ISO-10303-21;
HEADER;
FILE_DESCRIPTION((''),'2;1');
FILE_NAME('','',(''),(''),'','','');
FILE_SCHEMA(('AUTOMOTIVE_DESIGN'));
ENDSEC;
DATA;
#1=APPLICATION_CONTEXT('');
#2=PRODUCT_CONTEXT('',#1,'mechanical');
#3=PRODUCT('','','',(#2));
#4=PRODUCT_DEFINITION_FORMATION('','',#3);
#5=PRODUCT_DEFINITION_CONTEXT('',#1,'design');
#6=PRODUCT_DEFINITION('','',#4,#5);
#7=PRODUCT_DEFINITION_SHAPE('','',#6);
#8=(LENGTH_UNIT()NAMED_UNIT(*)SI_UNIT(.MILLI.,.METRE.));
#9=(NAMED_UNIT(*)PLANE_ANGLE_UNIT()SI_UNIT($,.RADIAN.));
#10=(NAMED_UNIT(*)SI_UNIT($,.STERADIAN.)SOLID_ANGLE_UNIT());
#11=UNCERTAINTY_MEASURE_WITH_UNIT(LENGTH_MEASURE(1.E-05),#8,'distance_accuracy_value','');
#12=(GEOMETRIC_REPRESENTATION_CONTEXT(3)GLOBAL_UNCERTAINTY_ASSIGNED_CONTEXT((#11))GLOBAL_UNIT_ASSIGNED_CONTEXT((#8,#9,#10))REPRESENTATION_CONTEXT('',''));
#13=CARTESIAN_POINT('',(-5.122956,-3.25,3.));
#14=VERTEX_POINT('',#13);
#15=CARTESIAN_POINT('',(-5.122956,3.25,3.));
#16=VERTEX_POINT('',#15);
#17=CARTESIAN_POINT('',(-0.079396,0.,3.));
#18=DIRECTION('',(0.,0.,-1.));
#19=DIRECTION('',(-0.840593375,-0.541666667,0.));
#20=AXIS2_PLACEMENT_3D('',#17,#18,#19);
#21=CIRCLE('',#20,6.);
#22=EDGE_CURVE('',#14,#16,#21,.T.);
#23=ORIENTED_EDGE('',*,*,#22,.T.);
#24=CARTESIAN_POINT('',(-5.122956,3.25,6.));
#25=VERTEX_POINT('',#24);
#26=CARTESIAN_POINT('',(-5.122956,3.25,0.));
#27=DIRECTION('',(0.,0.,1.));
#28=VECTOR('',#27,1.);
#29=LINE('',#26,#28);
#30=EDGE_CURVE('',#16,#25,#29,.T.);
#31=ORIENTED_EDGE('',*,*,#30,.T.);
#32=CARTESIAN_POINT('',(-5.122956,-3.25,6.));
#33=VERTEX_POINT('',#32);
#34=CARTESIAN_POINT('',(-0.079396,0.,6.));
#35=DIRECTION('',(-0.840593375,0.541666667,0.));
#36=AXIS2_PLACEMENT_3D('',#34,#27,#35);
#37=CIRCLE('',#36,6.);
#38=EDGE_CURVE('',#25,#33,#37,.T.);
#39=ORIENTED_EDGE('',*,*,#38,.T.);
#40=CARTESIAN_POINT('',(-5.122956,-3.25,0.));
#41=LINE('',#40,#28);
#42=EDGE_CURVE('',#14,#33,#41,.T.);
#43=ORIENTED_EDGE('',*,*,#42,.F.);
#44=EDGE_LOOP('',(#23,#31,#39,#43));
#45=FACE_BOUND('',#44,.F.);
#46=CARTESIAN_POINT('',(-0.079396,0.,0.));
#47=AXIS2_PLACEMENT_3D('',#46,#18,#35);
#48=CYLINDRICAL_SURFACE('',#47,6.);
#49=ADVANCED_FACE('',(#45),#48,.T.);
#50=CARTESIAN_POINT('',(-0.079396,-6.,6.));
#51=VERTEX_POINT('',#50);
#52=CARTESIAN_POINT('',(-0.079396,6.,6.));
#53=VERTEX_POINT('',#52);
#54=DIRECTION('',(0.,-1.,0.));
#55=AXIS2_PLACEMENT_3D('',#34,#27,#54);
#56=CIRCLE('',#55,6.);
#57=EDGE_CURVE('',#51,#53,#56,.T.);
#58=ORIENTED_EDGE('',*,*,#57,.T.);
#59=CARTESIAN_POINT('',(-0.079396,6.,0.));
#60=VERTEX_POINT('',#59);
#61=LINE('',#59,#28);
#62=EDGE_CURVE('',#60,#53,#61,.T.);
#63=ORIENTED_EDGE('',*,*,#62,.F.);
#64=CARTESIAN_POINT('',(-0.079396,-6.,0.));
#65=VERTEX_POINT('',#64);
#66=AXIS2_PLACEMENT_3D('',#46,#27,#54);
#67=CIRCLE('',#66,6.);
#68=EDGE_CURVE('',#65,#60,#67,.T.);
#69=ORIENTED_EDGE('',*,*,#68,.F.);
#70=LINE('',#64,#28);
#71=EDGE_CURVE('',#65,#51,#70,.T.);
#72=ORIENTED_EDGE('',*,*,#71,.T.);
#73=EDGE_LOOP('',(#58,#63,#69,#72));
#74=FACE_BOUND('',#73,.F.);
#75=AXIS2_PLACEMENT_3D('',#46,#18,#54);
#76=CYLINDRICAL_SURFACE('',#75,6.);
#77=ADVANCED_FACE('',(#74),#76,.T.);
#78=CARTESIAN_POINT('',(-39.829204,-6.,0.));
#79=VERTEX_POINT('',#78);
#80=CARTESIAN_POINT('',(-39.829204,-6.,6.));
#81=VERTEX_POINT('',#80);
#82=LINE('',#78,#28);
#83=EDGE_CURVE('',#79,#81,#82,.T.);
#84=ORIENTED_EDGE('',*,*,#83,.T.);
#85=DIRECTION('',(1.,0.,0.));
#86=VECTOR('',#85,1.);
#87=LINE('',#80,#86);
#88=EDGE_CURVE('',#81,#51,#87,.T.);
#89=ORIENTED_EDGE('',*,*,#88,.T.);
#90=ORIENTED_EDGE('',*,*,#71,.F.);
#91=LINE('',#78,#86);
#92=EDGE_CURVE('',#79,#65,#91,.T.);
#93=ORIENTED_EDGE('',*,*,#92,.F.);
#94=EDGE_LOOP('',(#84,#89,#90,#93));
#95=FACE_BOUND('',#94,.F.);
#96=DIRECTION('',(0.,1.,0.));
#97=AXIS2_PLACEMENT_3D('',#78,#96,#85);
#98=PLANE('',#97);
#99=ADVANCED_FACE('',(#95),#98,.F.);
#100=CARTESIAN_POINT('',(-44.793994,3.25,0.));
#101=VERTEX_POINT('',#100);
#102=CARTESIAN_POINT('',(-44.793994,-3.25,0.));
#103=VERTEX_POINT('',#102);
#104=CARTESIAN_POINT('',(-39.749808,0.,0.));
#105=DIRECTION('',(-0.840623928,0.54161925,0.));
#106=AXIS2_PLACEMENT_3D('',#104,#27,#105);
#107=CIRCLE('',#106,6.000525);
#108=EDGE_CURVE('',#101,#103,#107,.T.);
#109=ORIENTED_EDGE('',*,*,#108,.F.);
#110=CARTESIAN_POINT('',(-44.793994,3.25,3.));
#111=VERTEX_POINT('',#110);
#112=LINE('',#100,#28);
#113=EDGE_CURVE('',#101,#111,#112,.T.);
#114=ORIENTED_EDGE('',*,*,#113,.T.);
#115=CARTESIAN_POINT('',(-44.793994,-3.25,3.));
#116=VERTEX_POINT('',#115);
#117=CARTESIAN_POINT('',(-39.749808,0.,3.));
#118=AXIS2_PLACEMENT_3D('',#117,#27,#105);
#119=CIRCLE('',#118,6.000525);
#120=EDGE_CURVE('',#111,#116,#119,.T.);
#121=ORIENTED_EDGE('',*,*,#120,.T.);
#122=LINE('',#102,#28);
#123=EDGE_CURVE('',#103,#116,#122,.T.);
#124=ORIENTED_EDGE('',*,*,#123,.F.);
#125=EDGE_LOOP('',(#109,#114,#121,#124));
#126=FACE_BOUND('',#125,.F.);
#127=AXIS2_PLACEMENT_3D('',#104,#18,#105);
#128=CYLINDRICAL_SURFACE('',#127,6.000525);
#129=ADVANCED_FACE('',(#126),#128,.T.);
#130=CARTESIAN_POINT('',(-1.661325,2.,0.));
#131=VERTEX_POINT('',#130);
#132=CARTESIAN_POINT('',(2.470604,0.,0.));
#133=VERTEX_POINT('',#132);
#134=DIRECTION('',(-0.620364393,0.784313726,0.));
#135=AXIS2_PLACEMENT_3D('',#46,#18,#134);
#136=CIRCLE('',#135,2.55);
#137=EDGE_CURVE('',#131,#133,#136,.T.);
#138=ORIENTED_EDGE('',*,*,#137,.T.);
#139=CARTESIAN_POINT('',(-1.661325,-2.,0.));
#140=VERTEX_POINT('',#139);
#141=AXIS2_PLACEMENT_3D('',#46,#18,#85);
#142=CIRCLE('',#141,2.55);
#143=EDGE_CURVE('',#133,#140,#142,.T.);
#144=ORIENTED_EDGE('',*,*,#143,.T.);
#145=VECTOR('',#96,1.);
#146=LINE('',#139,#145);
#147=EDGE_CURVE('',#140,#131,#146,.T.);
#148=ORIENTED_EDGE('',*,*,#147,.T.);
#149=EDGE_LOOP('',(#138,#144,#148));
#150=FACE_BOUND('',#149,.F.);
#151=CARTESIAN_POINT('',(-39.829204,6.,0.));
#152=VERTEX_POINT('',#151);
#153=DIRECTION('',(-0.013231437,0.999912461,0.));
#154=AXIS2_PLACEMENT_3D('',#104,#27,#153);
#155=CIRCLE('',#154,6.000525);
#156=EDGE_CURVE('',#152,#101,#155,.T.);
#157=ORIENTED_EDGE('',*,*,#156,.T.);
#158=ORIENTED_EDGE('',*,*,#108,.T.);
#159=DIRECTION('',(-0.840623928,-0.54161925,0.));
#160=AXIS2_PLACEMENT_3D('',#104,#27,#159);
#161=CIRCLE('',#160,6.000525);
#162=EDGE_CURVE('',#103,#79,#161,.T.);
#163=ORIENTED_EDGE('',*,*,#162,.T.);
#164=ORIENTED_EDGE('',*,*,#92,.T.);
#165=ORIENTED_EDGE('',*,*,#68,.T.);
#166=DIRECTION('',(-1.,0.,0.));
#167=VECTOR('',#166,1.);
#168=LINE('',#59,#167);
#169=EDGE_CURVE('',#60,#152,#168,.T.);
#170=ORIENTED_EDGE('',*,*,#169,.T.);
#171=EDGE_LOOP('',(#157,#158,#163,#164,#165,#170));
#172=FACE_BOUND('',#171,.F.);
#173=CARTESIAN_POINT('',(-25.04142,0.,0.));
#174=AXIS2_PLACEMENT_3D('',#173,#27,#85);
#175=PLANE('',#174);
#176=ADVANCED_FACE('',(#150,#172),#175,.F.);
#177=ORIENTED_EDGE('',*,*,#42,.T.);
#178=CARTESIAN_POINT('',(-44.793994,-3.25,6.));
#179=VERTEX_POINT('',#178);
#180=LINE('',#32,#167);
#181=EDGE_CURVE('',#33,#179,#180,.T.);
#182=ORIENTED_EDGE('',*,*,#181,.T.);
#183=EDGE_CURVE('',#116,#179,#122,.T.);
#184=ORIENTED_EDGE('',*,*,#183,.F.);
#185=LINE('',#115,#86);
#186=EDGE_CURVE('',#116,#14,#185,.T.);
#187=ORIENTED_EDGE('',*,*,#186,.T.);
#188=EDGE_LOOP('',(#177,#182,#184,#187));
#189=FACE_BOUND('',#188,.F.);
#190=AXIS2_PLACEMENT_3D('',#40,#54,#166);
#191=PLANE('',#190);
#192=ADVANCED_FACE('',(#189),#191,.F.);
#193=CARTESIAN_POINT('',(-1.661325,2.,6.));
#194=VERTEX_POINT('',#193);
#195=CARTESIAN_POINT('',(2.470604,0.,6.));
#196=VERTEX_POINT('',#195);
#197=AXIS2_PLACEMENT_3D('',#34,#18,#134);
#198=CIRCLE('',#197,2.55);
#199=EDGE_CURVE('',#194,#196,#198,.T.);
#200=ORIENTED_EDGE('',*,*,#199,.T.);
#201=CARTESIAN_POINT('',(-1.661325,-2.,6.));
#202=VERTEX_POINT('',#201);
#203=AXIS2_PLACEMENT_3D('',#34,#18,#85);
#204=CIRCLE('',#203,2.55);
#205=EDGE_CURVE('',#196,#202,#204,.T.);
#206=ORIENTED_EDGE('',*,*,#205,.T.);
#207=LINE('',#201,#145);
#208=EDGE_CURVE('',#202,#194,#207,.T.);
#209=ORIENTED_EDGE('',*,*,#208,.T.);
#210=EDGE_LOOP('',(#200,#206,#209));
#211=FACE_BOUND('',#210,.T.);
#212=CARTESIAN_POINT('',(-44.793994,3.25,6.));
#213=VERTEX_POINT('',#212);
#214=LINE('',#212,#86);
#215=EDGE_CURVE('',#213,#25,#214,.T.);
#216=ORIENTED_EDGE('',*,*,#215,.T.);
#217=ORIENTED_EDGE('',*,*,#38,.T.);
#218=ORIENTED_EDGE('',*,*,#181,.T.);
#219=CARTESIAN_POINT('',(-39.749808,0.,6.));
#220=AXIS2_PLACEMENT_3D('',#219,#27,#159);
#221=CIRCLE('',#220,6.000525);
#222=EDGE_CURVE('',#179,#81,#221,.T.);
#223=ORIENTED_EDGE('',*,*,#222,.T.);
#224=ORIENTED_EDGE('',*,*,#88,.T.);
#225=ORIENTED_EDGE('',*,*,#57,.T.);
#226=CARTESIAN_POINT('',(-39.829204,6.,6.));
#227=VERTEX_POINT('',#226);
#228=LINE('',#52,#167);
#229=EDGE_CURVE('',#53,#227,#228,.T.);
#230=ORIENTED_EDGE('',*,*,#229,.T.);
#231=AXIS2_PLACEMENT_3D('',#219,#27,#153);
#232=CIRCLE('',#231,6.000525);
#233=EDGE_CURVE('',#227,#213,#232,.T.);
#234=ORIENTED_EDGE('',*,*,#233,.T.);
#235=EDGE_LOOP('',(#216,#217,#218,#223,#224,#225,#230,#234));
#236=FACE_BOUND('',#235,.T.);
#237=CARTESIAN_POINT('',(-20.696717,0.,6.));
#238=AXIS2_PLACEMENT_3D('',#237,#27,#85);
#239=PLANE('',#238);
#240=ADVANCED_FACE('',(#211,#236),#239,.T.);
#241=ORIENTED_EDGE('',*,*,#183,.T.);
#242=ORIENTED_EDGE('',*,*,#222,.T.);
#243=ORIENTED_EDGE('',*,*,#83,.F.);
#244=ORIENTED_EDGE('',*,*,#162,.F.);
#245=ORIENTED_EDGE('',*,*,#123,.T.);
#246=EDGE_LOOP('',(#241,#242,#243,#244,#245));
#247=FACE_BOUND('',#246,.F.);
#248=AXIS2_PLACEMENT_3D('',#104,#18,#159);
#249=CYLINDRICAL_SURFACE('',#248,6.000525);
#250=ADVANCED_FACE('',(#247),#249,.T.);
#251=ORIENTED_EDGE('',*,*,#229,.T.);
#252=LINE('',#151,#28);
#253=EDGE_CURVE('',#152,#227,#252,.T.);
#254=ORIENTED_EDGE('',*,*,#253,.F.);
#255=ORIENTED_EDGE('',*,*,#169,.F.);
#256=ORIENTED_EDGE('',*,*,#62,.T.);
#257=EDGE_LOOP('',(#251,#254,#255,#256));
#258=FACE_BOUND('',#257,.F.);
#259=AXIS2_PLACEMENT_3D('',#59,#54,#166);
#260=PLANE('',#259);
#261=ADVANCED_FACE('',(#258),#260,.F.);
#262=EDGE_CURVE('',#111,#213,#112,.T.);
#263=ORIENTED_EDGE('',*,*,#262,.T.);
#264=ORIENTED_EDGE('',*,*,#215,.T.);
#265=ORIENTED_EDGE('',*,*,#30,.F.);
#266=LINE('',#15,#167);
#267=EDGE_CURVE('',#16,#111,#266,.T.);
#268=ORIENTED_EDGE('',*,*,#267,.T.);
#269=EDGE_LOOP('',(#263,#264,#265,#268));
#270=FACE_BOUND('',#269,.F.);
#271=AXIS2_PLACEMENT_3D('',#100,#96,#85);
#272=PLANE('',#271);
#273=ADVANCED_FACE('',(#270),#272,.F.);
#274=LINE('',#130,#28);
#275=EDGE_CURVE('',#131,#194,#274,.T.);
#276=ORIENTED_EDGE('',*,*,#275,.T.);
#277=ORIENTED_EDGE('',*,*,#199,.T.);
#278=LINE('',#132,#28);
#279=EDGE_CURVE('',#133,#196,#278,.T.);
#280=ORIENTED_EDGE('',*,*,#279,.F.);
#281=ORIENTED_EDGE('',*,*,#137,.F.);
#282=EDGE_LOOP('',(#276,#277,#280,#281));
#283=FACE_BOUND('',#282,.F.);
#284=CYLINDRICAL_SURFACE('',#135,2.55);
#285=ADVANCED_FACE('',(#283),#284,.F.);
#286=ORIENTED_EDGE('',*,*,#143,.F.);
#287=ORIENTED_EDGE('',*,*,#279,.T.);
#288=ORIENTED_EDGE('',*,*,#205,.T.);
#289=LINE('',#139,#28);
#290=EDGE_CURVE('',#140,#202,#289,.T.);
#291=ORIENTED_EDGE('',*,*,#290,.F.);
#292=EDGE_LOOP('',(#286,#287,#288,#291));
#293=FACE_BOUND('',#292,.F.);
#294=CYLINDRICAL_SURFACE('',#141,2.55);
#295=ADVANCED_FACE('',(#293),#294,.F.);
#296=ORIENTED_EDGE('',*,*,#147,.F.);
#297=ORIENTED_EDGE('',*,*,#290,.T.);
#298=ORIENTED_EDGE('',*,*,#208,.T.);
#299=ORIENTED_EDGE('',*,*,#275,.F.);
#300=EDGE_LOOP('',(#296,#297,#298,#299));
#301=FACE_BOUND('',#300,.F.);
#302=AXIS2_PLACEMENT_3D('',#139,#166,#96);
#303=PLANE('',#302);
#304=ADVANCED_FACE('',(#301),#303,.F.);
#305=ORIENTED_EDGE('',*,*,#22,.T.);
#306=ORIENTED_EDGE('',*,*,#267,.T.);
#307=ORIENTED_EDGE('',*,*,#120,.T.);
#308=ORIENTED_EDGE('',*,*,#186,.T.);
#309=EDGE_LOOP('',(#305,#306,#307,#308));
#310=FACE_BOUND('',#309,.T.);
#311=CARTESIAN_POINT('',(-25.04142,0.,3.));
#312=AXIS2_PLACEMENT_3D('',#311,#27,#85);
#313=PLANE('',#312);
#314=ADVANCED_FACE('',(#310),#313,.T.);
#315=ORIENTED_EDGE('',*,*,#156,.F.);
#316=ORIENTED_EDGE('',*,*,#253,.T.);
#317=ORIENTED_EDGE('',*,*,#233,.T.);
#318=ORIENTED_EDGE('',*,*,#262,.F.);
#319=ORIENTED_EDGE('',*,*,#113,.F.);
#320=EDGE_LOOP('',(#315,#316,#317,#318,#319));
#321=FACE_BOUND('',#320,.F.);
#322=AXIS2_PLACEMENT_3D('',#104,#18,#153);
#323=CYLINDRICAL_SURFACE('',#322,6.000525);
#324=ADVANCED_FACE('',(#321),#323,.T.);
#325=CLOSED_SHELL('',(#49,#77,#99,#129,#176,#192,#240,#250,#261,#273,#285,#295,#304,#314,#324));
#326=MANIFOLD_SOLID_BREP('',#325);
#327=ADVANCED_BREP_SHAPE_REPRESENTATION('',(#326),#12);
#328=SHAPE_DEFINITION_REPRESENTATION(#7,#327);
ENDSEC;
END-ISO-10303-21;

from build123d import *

# Parameters (mm, degrees)
F1_DEPTH = 6
F2_DEPTH = 3


with BuildPart() as f1:
    # F0 (on Top) → F1 (new body)
    with BuildSketch(Plane.XY):
        with BuildLine():
            Line((-44.7939935698, 3.25), (-5.1229558211, 3.25))
            ThreePointArc((-5.1229558211, 3.25), (-6.0793955706, 0), (-5.1229558211, -3.25))
            Line((-5.1229558211, -3.25), (-44.7939935698, -3.25))
            ThreePointArc((-44.7939935698, -3.25), (-42.6572806733, -5.2490864776), (-39.8292040073, -6))
            Line((-39.8292040073, -6), (-0.0793955706, -6))
            ThreePointArc((-0.0793955706, -6), (5.9206044294, 0), (-0.0793955706, 6))
            Line((-0.0793955706, 6), (-39.8292040073, 6))
            ThreePointArc((-39.8292040073, 6), (-42.6572806733, 5.2490864776), (-44.7939935698, 3.25))
        make_face()
        with BuildLine():
            ThreePointArc((-1.6613247726, 2), (1.0315905983, 2.2952580971), (2.4706044294, 0))
            ThreePointArc((2.4706044294, 0), (1.0315905983, -2.2952580971), (-1.6613247726, -2))
            ThreePointArc((-1.6613247726, -2), (-2.6293955706, 0), (-1.6613247726, 2))
        make_face(mode=Mode.SUBTRACT)
        with BuildLine():
            Line((-1.6613247726, -2), (-1.6613247726, 2))
            ThreePointArc((-1.6613247726, 2), (-2.6293955706, 0), (-1.6613247726, -2))
        make_face()
    extrude(amount=F1_DEPTH)

    # F0 (on Top) → F2 (join)
    with BuildSketch(Plane.XY):
        with BuildLine():
            ThreePointArc((-5.1229558211, -3.25), (-6.0793955706, 0), (-5.1229558211, 3.25))
            Line((-5.1229558211, 3.25), (-44.7939935698, 3.25))
            ThreePointArc((-44.7939935698, 3.25), (-45.7503337184, 0), (-44.7939935698, -3.25))
            Line((-44.7939935698, -3.25), (-5.1229558211, -3.25))
        make_face()
    extrude(amount=F2_DEPTH)


solid = f1.part
